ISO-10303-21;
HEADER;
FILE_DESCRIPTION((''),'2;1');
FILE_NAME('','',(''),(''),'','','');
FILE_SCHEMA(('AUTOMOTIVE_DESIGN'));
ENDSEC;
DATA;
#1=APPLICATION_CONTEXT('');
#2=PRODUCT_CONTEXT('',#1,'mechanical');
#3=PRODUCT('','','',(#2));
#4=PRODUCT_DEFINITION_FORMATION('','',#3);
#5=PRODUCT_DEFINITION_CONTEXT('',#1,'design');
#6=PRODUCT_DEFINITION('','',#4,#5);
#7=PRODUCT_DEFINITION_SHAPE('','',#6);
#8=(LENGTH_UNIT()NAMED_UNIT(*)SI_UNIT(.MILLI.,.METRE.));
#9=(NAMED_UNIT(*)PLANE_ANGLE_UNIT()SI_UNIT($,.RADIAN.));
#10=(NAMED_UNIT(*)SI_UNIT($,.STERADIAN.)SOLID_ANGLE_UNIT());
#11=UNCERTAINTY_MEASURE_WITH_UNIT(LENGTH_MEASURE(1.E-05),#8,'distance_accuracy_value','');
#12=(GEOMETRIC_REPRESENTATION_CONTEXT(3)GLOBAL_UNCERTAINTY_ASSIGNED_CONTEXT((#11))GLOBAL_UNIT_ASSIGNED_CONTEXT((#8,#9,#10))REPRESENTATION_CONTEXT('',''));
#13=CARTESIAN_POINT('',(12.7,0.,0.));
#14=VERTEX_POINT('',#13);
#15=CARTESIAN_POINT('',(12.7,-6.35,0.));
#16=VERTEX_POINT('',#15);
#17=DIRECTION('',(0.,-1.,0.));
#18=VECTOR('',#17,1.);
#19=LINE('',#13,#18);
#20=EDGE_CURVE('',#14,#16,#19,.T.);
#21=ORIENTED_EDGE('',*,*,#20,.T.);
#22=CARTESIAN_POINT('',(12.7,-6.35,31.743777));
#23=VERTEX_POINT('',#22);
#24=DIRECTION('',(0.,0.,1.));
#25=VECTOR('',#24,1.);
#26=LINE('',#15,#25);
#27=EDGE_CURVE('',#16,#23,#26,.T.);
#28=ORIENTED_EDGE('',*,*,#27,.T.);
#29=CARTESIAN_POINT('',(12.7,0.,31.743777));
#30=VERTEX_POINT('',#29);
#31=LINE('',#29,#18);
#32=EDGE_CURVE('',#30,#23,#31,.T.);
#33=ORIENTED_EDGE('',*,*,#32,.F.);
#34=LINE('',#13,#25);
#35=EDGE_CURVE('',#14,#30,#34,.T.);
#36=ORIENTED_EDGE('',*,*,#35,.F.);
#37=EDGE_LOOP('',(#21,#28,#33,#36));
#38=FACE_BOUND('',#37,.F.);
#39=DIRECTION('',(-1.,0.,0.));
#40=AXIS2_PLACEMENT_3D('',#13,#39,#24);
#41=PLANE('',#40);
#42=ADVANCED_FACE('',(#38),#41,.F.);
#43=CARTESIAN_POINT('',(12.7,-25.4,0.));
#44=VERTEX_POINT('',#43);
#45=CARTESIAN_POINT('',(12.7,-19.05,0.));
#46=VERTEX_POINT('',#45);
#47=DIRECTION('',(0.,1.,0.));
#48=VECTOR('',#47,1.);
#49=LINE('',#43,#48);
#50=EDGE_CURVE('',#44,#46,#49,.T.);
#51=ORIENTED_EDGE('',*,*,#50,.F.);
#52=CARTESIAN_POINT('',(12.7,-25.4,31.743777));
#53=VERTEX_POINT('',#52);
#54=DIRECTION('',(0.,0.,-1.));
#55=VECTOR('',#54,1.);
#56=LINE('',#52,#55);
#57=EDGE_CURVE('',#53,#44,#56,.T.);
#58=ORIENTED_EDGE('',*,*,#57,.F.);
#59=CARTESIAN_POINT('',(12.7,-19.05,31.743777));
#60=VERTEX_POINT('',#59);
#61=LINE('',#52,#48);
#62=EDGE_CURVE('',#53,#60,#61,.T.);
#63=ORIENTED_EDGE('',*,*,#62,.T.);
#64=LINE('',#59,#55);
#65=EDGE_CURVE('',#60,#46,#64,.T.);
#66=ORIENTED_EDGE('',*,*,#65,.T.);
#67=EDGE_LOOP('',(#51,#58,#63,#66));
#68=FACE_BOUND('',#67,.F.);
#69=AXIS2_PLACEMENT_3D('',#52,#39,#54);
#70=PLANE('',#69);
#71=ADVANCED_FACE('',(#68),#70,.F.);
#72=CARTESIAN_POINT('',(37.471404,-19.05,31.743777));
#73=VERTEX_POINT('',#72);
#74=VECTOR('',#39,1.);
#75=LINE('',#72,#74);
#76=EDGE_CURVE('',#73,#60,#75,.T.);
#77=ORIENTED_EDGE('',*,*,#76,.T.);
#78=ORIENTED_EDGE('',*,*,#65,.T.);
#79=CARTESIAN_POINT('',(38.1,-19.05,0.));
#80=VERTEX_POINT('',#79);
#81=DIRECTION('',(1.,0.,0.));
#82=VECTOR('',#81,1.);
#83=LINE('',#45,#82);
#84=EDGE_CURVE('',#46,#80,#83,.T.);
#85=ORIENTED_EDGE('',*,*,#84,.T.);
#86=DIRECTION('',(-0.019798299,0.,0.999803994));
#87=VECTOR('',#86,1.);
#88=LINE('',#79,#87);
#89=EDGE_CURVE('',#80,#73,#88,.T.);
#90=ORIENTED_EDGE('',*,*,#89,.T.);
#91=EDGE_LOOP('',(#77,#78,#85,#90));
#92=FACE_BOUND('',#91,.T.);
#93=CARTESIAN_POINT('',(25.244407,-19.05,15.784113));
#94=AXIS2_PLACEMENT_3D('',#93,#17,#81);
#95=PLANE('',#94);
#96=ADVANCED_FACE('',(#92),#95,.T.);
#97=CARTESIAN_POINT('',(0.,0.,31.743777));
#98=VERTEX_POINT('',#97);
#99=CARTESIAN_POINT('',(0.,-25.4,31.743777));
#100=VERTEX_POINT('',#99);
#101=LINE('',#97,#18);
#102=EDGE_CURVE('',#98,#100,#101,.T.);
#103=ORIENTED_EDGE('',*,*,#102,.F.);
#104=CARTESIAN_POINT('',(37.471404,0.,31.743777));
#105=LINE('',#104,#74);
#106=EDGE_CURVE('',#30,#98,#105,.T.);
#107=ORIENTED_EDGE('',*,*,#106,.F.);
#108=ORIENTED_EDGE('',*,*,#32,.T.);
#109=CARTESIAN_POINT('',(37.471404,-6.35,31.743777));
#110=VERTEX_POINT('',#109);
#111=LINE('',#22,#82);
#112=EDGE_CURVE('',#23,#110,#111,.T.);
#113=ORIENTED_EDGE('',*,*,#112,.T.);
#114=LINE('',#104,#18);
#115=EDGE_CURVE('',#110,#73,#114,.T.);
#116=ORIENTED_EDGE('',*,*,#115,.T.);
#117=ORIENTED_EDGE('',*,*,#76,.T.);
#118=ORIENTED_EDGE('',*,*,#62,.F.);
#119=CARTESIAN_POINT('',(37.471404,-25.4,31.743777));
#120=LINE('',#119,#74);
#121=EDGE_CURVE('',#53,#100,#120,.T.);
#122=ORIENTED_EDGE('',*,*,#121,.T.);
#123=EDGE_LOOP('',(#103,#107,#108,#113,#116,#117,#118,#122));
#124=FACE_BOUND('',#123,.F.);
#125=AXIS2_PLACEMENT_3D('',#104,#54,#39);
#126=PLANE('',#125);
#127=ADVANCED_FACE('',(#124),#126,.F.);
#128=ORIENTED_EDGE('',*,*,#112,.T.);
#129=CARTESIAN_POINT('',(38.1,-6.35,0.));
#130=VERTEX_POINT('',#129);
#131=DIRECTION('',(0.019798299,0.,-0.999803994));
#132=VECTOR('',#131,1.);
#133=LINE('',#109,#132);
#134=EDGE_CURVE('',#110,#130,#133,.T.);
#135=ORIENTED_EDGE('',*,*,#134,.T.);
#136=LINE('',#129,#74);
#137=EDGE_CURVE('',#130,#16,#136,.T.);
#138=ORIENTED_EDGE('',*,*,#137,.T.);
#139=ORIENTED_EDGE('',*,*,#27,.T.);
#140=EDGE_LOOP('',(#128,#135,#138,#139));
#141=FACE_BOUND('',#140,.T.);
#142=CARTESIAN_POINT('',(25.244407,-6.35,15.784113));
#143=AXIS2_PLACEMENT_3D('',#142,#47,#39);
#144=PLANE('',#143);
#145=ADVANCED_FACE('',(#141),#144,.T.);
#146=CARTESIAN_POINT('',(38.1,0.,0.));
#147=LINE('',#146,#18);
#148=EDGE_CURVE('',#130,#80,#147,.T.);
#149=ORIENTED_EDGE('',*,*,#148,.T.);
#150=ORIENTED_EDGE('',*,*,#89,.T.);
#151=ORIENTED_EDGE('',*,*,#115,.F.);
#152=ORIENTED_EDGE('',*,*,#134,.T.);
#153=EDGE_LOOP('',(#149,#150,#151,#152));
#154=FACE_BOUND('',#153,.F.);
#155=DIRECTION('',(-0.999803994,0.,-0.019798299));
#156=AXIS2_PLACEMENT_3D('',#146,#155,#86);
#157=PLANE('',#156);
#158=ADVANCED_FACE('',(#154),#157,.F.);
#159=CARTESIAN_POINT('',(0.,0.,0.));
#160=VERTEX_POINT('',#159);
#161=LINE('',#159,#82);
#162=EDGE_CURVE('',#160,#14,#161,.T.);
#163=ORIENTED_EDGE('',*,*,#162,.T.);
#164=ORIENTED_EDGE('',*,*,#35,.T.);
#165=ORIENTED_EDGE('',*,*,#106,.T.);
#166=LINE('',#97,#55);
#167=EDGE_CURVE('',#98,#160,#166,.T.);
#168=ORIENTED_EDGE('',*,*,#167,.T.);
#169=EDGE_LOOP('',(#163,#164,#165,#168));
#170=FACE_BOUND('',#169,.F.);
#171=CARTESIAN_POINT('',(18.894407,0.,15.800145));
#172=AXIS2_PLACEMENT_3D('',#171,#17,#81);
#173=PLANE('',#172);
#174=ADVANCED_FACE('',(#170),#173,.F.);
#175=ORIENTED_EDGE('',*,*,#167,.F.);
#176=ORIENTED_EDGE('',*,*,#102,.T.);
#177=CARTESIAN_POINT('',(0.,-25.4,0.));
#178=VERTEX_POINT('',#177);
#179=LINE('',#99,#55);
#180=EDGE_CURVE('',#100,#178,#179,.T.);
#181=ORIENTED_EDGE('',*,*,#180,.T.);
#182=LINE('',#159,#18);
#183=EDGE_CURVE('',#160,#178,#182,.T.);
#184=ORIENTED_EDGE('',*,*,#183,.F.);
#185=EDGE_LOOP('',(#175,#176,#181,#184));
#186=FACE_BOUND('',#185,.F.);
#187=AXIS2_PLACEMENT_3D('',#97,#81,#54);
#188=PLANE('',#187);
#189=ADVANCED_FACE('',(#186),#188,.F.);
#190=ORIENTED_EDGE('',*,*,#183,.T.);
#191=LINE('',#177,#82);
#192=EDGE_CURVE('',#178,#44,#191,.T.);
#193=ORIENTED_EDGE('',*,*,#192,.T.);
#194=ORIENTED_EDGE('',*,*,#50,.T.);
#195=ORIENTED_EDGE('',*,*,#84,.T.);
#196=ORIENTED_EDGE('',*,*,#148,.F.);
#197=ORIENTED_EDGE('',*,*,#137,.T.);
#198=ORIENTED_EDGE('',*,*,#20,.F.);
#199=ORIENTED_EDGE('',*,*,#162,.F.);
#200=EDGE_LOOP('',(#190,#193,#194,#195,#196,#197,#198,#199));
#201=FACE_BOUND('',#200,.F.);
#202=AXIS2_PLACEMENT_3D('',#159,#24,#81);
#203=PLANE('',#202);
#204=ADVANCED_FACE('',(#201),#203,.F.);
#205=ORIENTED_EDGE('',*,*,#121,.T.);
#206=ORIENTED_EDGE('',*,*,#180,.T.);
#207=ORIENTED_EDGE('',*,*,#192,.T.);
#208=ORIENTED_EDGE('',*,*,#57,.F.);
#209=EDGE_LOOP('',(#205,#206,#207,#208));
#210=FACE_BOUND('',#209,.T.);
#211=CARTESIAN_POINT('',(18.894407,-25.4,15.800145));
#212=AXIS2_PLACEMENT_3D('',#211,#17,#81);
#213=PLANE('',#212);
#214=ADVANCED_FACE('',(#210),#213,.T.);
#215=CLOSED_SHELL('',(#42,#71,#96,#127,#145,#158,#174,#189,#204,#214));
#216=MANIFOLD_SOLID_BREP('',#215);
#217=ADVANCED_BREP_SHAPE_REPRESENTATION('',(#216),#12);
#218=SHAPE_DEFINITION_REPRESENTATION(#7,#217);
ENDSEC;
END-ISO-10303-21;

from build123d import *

# Parameters (mm, degrees)
F1_DEPTH = 25.4
F3_DEPTH = 6.35
F5_DEPTH = 6.35


with BuildPart() as f1:
    # F0 (on Front) → F1 (new body)
    with BuildSketch(Plane.XZ):
        Polygon((37.471404, 31.743777), (0, 31.743777), (0, 0), (38.1, 0), align=None)
    extrude(amount=F1_DEPTH)

    # F2 (on face) → F3 (cut)
    with BuildSketch(Plane.XZ.offset(25.4)):
        Polygon((37.471404, 31.743777), (12.7, 31.743777), (12.7, 0), (38.1, 0), align=None)
    extrude(amount=-F3_DEPTH, mode=Mode.SUBTRACT)

    # F4 (on face) → F5 (cut)
    with BuildSketch(Plane(origin=(0, 0, 0), x_dir=(-1, 0, 0), z_dir=(0, 1, 0))):
        Polygon((-38.1, 0), (-12.7, 0), (-12.7, 8.530987), (-12.7, 31.743777), (-37.471404, 31.743777), align=None)
    extrude(amount=-F5_DEPTH, mode=Mode.SUBTRACT)


solid = f1.part
